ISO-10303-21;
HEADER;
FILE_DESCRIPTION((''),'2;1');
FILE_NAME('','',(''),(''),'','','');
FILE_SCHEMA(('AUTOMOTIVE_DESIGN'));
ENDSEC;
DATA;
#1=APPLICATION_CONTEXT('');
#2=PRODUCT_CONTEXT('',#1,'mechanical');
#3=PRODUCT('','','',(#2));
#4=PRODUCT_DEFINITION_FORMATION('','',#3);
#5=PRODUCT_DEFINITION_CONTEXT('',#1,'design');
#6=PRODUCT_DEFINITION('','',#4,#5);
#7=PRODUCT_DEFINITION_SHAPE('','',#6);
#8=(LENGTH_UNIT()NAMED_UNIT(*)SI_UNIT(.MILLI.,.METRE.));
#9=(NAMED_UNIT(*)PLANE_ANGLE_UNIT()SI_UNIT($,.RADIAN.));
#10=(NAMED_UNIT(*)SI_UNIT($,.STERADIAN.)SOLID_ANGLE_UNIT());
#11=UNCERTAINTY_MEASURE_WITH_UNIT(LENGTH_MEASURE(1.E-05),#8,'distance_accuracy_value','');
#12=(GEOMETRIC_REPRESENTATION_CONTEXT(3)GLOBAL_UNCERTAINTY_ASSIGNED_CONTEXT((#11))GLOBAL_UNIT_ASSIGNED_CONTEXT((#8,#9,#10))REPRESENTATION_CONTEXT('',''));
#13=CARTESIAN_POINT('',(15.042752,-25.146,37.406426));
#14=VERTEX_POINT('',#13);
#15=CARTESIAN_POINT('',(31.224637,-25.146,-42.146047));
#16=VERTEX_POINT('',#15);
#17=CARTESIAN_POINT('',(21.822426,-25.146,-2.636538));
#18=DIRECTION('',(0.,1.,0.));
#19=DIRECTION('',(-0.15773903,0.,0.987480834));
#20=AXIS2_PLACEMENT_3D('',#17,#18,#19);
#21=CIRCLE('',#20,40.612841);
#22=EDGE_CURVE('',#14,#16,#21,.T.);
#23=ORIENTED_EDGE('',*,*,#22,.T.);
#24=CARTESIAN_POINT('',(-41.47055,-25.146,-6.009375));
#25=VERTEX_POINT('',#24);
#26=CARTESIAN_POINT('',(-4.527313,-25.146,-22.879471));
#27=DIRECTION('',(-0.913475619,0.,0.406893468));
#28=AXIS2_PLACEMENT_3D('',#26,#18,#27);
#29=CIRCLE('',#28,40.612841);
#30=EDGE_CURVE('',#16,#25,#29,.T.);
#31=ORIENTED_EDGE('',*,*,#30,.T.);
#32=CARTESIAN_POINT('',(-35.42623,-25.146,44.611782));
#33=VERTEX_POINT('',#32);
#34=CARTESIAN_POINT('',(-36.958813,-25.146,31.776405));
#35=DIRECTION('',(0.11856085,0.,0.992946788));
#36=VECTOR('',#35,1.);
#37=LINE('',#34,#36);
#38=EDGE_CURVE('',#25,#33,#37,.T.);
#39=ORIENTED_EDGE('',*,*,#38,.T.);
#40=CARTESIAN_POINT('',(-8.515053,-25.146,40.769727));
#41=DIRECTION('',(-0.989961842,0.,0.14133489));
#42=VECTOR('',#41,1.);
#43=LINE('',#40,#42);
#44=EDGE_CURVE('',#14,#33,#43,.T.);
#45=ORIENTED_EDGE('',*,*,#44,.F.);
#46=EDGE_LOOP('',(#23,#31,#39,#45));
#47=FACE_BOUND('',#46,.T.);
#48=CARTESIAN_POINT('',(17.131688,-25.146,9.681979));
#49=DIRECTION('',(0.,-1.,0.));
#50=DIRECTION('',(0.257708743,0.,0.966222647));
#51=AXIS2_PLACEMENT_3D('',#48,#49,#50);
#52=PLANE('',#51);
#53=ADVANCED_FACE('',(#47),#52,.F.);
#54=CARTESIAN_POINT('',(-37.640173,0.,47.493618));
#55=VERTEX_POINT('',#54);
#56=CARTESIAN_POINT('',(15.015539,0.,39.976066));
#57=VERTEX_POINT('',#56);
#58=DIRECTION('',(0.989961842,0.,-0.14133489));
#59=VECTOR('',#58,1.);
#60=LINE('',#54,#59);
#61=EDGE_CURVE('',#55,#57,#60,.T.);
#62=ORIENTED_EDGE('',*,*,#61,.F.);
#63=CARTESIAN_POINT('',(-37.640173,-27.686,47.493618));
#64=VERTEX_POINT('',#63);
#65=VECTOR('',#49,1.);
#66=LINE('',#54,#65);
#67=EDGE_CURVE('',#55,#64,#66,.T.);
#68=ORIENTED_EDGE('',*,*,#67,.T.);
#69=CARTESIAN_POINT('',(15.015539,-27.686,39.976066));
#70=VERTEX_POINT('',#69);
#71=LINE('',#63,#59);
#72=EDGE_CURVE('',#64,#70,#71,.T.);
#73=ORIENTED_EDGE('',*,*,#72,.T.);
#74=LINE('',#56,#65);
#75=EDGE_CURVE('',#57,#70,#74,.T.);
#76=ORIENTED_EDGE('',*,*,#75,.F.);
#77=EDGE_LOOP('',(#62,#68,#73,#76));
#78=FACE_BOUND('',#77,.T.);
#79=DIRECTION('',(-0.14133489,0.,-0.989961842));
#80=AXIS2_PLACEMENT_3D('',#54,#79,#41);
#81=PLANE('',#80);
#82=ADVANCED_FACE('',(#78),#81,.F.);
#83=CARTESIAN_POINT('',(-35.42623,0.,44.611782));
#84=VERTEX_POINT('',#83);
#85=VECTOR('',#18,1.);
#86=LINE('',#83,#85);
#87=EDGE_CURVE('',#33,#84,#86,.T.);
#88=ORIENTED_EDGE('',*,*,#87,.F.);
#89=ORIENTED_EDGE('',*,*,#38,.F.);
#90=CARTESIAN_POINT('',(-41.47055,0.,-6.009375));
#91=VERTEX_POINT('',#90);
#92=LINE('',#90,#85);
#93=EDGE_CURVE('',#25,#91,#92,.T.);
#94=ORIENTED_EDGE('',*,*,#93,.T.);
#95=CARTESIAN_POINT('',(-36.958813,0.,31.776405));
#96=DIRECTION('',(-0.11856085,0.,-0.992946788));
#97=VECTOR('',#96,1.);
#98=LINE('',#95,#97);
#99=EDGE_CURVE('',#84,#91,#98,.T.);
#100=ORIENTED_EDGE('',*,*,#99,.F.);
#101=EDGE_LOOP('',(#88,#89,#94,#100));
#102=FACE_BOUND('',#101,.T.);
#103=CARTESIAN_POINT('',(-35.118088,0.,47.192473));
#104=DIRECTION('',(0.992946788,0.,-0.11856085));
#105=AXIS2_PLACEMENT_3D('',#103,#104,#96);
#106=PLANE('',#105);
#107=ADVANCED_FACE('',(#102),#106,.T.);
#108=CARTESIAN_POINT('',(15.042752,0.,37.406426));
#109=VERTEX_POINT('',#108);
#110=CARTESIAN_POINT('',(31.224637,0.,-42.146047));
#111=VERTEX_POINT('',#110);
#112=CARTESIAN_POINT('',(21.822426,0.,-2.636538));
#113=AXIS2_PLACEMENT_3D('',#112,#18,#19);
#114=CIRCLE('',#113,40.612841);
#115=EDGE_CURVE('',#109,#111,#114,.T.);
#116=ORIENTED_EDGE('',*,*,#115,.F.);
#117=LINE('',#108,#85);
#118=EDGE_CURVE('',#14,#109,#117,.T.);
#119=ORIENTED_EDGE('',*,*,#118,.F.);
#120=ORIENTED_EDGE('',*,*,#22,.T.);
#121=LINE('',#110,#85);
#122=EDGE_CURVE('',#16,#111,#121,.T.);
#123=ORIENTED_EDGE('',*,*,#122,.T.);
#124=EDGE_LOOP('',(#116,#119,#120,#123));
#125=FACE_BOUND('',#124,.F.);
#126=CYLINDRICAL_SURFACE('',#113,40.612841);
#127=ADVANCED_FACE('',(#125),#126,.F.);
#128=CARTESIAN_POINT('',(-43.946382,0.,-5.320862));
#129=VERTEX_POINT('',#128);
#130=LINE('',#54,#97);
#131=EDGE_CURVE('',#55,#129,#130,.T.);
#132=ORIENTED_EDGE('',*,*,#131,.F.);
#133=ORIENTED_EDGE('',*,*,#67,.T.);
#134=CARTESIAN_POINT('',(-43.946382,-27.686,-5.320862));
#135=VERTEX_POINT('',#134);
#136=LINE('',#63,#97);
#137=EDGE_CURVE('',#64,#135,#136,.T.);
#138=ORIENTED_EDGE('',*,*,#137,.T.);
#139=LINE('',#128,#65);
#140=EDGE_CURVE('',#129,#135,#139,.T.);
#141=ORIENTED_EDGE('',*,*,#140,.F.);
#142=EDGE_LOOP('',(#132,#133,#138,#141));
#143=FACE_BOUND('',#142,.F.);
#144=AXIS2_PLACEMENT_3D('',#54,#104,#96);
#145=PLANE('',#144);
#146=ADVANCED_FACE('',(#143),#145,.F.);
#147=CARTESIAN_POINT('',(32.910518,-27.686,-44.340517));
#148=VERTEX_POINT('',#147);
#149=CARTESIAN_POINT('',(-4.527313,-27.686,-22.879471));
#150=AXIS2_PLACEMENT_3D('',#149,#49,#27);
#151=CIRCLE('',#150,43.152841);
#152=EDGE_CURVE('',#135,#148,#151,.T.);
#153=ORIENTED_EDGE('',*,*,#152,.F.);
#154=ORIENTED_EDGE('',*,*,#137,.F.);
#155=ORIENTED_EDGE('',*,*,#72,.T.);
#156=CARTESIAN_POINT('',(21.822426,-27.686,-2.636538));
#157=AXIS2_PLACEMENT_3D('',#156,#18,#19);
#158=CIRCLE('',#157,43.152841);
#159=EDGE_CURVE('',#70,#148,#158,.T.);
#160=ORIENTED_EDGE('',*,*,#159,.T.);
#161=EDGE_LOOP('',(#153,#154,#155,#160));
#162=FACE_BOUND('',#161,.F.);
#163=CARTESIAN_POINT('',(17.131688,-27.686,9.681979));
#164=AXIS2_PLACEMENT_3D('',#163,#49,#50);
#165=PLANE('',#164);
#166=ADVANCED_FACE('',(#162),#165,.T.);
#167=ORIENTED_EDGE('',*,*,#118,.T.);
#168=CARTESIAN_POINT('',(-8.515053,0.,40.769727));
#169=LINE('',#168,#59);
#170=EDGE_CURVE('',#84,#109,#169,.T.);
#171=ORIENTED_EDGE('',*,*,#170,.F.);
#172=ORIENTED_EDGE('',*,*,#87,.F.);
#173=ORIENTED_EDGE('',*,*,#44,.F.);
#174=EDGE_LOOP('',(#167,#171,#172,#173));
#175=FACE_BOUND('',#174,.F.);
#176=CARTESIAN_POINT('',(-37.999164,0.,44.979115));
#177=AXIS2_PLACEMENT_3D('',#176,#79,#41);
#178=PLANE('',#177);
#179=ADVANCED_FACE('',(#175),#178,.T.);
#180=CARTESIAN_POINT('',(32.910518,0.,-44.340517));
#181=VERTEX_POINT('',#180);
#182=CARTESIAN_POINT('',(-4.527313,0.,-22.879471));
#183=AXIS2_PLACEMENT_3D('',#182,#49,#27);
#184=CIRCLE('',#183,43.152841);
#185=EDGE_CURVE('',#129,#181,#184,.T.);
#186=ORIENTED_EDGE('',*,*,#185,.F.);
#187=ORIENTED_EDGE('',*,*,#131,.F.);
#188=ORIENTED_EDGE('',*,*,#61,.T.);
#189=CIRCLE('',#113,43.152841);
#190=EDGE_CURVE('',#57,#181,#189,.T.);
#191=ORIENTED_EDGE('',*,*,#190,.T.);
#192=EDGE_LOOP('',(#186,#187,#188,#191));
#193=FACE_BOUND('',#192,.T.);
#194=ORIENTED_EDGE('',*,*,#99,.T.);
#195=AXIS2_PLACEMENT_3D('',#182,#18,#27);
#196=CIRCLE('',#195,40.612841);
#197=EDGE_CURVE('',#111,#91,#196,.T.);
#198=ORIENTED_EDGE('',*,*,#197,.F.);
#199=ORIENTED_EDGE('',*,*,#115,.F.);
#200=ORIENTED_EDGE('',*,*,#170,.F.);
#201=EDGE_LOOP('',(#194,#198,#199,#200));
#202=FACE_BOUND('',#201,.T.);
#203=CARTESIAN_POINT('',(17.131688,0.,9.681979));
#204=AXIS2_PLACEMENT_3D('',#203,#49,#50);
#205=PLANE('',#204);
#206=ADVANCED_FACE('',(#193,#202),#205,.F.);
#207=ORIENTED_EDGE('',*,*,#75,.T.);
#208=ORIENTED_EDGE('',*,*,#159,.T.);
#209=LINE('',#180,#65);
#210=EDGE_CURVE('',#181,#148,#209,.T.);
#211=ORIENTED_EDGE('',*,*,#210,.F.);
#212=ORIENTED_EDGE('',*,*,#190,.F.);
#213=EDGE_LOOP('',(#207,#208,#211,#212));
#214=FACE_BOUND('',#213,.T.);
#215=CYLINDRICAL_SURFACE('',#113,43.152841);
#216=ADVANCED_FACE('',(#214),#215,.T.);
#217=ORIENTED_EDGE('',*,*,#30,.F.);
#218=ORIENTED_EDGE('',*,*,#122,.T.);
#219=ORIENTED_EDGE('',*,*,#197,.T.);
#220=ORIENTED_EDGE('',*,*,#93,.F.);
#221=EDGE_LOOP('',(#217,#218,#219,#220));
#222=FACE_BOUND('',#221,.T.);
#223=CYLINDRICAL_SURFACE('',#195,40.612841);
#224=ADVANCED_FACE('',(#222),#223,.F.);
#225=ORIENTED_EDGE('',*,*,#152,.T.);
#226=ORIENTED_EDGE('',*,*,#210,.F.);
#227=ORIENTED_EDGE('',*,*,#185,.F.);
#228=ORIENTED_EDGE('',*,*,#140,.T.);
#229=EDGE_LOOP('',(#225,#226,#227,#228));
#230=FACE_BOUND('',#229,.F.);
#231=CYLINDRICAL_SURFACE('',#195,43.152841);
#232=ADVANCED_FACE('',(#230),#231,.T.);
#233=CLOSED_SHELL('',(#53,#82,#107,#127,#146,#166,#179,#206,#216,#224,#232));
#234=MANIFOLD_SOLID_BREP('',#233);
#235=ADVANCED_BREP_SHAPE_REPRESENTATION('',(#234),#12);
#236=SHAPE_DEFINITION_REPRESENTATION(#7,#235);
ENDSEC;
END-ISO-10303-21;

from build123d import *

# Parameters (mm, degrees)
F1_DEPTH = 27.686
F3_T     = -2.54


with BuildPart() as f1:
    # F0 (on Front) → F1 (new body)
    with BuildSketch(Plane.XZ):
        with BuildLine():
            Line((32.9105183482, -44.3405173719), (-37.6401729882, 47.4936179817))
            Line((-37.6401729882, 47.4936179817), (-43.9463816583, -5.3208619356))
            ThreePointArc((-43.9463816583, -5.3208619356), (-24.0622741562, -61.3574262782), (32.9105183482, -44.3405173719))
        make_face()
    extrude(amount=F1_DEPTH)

    # F2: F1 across face


with BuildPart() as f1_1:
    add(f1.part)
    add(f1.part.mirror(Plane(origin=(-2.36482732, -13.843, 1.5765503049), x_dir=(0, 1, 0), z_dir=(0.7930033869, 0, 0.6092172259))))

    # F3
    f3_openings = [f1_1.faces().sort_by_distance(p)[0] for p in [
        (4.890948, 0, -7.868117),
    ]]
    offset(amount=F3_T, openings=f3_openings, kind=Kind.INTERSECTION)


solid = f1_1.part
